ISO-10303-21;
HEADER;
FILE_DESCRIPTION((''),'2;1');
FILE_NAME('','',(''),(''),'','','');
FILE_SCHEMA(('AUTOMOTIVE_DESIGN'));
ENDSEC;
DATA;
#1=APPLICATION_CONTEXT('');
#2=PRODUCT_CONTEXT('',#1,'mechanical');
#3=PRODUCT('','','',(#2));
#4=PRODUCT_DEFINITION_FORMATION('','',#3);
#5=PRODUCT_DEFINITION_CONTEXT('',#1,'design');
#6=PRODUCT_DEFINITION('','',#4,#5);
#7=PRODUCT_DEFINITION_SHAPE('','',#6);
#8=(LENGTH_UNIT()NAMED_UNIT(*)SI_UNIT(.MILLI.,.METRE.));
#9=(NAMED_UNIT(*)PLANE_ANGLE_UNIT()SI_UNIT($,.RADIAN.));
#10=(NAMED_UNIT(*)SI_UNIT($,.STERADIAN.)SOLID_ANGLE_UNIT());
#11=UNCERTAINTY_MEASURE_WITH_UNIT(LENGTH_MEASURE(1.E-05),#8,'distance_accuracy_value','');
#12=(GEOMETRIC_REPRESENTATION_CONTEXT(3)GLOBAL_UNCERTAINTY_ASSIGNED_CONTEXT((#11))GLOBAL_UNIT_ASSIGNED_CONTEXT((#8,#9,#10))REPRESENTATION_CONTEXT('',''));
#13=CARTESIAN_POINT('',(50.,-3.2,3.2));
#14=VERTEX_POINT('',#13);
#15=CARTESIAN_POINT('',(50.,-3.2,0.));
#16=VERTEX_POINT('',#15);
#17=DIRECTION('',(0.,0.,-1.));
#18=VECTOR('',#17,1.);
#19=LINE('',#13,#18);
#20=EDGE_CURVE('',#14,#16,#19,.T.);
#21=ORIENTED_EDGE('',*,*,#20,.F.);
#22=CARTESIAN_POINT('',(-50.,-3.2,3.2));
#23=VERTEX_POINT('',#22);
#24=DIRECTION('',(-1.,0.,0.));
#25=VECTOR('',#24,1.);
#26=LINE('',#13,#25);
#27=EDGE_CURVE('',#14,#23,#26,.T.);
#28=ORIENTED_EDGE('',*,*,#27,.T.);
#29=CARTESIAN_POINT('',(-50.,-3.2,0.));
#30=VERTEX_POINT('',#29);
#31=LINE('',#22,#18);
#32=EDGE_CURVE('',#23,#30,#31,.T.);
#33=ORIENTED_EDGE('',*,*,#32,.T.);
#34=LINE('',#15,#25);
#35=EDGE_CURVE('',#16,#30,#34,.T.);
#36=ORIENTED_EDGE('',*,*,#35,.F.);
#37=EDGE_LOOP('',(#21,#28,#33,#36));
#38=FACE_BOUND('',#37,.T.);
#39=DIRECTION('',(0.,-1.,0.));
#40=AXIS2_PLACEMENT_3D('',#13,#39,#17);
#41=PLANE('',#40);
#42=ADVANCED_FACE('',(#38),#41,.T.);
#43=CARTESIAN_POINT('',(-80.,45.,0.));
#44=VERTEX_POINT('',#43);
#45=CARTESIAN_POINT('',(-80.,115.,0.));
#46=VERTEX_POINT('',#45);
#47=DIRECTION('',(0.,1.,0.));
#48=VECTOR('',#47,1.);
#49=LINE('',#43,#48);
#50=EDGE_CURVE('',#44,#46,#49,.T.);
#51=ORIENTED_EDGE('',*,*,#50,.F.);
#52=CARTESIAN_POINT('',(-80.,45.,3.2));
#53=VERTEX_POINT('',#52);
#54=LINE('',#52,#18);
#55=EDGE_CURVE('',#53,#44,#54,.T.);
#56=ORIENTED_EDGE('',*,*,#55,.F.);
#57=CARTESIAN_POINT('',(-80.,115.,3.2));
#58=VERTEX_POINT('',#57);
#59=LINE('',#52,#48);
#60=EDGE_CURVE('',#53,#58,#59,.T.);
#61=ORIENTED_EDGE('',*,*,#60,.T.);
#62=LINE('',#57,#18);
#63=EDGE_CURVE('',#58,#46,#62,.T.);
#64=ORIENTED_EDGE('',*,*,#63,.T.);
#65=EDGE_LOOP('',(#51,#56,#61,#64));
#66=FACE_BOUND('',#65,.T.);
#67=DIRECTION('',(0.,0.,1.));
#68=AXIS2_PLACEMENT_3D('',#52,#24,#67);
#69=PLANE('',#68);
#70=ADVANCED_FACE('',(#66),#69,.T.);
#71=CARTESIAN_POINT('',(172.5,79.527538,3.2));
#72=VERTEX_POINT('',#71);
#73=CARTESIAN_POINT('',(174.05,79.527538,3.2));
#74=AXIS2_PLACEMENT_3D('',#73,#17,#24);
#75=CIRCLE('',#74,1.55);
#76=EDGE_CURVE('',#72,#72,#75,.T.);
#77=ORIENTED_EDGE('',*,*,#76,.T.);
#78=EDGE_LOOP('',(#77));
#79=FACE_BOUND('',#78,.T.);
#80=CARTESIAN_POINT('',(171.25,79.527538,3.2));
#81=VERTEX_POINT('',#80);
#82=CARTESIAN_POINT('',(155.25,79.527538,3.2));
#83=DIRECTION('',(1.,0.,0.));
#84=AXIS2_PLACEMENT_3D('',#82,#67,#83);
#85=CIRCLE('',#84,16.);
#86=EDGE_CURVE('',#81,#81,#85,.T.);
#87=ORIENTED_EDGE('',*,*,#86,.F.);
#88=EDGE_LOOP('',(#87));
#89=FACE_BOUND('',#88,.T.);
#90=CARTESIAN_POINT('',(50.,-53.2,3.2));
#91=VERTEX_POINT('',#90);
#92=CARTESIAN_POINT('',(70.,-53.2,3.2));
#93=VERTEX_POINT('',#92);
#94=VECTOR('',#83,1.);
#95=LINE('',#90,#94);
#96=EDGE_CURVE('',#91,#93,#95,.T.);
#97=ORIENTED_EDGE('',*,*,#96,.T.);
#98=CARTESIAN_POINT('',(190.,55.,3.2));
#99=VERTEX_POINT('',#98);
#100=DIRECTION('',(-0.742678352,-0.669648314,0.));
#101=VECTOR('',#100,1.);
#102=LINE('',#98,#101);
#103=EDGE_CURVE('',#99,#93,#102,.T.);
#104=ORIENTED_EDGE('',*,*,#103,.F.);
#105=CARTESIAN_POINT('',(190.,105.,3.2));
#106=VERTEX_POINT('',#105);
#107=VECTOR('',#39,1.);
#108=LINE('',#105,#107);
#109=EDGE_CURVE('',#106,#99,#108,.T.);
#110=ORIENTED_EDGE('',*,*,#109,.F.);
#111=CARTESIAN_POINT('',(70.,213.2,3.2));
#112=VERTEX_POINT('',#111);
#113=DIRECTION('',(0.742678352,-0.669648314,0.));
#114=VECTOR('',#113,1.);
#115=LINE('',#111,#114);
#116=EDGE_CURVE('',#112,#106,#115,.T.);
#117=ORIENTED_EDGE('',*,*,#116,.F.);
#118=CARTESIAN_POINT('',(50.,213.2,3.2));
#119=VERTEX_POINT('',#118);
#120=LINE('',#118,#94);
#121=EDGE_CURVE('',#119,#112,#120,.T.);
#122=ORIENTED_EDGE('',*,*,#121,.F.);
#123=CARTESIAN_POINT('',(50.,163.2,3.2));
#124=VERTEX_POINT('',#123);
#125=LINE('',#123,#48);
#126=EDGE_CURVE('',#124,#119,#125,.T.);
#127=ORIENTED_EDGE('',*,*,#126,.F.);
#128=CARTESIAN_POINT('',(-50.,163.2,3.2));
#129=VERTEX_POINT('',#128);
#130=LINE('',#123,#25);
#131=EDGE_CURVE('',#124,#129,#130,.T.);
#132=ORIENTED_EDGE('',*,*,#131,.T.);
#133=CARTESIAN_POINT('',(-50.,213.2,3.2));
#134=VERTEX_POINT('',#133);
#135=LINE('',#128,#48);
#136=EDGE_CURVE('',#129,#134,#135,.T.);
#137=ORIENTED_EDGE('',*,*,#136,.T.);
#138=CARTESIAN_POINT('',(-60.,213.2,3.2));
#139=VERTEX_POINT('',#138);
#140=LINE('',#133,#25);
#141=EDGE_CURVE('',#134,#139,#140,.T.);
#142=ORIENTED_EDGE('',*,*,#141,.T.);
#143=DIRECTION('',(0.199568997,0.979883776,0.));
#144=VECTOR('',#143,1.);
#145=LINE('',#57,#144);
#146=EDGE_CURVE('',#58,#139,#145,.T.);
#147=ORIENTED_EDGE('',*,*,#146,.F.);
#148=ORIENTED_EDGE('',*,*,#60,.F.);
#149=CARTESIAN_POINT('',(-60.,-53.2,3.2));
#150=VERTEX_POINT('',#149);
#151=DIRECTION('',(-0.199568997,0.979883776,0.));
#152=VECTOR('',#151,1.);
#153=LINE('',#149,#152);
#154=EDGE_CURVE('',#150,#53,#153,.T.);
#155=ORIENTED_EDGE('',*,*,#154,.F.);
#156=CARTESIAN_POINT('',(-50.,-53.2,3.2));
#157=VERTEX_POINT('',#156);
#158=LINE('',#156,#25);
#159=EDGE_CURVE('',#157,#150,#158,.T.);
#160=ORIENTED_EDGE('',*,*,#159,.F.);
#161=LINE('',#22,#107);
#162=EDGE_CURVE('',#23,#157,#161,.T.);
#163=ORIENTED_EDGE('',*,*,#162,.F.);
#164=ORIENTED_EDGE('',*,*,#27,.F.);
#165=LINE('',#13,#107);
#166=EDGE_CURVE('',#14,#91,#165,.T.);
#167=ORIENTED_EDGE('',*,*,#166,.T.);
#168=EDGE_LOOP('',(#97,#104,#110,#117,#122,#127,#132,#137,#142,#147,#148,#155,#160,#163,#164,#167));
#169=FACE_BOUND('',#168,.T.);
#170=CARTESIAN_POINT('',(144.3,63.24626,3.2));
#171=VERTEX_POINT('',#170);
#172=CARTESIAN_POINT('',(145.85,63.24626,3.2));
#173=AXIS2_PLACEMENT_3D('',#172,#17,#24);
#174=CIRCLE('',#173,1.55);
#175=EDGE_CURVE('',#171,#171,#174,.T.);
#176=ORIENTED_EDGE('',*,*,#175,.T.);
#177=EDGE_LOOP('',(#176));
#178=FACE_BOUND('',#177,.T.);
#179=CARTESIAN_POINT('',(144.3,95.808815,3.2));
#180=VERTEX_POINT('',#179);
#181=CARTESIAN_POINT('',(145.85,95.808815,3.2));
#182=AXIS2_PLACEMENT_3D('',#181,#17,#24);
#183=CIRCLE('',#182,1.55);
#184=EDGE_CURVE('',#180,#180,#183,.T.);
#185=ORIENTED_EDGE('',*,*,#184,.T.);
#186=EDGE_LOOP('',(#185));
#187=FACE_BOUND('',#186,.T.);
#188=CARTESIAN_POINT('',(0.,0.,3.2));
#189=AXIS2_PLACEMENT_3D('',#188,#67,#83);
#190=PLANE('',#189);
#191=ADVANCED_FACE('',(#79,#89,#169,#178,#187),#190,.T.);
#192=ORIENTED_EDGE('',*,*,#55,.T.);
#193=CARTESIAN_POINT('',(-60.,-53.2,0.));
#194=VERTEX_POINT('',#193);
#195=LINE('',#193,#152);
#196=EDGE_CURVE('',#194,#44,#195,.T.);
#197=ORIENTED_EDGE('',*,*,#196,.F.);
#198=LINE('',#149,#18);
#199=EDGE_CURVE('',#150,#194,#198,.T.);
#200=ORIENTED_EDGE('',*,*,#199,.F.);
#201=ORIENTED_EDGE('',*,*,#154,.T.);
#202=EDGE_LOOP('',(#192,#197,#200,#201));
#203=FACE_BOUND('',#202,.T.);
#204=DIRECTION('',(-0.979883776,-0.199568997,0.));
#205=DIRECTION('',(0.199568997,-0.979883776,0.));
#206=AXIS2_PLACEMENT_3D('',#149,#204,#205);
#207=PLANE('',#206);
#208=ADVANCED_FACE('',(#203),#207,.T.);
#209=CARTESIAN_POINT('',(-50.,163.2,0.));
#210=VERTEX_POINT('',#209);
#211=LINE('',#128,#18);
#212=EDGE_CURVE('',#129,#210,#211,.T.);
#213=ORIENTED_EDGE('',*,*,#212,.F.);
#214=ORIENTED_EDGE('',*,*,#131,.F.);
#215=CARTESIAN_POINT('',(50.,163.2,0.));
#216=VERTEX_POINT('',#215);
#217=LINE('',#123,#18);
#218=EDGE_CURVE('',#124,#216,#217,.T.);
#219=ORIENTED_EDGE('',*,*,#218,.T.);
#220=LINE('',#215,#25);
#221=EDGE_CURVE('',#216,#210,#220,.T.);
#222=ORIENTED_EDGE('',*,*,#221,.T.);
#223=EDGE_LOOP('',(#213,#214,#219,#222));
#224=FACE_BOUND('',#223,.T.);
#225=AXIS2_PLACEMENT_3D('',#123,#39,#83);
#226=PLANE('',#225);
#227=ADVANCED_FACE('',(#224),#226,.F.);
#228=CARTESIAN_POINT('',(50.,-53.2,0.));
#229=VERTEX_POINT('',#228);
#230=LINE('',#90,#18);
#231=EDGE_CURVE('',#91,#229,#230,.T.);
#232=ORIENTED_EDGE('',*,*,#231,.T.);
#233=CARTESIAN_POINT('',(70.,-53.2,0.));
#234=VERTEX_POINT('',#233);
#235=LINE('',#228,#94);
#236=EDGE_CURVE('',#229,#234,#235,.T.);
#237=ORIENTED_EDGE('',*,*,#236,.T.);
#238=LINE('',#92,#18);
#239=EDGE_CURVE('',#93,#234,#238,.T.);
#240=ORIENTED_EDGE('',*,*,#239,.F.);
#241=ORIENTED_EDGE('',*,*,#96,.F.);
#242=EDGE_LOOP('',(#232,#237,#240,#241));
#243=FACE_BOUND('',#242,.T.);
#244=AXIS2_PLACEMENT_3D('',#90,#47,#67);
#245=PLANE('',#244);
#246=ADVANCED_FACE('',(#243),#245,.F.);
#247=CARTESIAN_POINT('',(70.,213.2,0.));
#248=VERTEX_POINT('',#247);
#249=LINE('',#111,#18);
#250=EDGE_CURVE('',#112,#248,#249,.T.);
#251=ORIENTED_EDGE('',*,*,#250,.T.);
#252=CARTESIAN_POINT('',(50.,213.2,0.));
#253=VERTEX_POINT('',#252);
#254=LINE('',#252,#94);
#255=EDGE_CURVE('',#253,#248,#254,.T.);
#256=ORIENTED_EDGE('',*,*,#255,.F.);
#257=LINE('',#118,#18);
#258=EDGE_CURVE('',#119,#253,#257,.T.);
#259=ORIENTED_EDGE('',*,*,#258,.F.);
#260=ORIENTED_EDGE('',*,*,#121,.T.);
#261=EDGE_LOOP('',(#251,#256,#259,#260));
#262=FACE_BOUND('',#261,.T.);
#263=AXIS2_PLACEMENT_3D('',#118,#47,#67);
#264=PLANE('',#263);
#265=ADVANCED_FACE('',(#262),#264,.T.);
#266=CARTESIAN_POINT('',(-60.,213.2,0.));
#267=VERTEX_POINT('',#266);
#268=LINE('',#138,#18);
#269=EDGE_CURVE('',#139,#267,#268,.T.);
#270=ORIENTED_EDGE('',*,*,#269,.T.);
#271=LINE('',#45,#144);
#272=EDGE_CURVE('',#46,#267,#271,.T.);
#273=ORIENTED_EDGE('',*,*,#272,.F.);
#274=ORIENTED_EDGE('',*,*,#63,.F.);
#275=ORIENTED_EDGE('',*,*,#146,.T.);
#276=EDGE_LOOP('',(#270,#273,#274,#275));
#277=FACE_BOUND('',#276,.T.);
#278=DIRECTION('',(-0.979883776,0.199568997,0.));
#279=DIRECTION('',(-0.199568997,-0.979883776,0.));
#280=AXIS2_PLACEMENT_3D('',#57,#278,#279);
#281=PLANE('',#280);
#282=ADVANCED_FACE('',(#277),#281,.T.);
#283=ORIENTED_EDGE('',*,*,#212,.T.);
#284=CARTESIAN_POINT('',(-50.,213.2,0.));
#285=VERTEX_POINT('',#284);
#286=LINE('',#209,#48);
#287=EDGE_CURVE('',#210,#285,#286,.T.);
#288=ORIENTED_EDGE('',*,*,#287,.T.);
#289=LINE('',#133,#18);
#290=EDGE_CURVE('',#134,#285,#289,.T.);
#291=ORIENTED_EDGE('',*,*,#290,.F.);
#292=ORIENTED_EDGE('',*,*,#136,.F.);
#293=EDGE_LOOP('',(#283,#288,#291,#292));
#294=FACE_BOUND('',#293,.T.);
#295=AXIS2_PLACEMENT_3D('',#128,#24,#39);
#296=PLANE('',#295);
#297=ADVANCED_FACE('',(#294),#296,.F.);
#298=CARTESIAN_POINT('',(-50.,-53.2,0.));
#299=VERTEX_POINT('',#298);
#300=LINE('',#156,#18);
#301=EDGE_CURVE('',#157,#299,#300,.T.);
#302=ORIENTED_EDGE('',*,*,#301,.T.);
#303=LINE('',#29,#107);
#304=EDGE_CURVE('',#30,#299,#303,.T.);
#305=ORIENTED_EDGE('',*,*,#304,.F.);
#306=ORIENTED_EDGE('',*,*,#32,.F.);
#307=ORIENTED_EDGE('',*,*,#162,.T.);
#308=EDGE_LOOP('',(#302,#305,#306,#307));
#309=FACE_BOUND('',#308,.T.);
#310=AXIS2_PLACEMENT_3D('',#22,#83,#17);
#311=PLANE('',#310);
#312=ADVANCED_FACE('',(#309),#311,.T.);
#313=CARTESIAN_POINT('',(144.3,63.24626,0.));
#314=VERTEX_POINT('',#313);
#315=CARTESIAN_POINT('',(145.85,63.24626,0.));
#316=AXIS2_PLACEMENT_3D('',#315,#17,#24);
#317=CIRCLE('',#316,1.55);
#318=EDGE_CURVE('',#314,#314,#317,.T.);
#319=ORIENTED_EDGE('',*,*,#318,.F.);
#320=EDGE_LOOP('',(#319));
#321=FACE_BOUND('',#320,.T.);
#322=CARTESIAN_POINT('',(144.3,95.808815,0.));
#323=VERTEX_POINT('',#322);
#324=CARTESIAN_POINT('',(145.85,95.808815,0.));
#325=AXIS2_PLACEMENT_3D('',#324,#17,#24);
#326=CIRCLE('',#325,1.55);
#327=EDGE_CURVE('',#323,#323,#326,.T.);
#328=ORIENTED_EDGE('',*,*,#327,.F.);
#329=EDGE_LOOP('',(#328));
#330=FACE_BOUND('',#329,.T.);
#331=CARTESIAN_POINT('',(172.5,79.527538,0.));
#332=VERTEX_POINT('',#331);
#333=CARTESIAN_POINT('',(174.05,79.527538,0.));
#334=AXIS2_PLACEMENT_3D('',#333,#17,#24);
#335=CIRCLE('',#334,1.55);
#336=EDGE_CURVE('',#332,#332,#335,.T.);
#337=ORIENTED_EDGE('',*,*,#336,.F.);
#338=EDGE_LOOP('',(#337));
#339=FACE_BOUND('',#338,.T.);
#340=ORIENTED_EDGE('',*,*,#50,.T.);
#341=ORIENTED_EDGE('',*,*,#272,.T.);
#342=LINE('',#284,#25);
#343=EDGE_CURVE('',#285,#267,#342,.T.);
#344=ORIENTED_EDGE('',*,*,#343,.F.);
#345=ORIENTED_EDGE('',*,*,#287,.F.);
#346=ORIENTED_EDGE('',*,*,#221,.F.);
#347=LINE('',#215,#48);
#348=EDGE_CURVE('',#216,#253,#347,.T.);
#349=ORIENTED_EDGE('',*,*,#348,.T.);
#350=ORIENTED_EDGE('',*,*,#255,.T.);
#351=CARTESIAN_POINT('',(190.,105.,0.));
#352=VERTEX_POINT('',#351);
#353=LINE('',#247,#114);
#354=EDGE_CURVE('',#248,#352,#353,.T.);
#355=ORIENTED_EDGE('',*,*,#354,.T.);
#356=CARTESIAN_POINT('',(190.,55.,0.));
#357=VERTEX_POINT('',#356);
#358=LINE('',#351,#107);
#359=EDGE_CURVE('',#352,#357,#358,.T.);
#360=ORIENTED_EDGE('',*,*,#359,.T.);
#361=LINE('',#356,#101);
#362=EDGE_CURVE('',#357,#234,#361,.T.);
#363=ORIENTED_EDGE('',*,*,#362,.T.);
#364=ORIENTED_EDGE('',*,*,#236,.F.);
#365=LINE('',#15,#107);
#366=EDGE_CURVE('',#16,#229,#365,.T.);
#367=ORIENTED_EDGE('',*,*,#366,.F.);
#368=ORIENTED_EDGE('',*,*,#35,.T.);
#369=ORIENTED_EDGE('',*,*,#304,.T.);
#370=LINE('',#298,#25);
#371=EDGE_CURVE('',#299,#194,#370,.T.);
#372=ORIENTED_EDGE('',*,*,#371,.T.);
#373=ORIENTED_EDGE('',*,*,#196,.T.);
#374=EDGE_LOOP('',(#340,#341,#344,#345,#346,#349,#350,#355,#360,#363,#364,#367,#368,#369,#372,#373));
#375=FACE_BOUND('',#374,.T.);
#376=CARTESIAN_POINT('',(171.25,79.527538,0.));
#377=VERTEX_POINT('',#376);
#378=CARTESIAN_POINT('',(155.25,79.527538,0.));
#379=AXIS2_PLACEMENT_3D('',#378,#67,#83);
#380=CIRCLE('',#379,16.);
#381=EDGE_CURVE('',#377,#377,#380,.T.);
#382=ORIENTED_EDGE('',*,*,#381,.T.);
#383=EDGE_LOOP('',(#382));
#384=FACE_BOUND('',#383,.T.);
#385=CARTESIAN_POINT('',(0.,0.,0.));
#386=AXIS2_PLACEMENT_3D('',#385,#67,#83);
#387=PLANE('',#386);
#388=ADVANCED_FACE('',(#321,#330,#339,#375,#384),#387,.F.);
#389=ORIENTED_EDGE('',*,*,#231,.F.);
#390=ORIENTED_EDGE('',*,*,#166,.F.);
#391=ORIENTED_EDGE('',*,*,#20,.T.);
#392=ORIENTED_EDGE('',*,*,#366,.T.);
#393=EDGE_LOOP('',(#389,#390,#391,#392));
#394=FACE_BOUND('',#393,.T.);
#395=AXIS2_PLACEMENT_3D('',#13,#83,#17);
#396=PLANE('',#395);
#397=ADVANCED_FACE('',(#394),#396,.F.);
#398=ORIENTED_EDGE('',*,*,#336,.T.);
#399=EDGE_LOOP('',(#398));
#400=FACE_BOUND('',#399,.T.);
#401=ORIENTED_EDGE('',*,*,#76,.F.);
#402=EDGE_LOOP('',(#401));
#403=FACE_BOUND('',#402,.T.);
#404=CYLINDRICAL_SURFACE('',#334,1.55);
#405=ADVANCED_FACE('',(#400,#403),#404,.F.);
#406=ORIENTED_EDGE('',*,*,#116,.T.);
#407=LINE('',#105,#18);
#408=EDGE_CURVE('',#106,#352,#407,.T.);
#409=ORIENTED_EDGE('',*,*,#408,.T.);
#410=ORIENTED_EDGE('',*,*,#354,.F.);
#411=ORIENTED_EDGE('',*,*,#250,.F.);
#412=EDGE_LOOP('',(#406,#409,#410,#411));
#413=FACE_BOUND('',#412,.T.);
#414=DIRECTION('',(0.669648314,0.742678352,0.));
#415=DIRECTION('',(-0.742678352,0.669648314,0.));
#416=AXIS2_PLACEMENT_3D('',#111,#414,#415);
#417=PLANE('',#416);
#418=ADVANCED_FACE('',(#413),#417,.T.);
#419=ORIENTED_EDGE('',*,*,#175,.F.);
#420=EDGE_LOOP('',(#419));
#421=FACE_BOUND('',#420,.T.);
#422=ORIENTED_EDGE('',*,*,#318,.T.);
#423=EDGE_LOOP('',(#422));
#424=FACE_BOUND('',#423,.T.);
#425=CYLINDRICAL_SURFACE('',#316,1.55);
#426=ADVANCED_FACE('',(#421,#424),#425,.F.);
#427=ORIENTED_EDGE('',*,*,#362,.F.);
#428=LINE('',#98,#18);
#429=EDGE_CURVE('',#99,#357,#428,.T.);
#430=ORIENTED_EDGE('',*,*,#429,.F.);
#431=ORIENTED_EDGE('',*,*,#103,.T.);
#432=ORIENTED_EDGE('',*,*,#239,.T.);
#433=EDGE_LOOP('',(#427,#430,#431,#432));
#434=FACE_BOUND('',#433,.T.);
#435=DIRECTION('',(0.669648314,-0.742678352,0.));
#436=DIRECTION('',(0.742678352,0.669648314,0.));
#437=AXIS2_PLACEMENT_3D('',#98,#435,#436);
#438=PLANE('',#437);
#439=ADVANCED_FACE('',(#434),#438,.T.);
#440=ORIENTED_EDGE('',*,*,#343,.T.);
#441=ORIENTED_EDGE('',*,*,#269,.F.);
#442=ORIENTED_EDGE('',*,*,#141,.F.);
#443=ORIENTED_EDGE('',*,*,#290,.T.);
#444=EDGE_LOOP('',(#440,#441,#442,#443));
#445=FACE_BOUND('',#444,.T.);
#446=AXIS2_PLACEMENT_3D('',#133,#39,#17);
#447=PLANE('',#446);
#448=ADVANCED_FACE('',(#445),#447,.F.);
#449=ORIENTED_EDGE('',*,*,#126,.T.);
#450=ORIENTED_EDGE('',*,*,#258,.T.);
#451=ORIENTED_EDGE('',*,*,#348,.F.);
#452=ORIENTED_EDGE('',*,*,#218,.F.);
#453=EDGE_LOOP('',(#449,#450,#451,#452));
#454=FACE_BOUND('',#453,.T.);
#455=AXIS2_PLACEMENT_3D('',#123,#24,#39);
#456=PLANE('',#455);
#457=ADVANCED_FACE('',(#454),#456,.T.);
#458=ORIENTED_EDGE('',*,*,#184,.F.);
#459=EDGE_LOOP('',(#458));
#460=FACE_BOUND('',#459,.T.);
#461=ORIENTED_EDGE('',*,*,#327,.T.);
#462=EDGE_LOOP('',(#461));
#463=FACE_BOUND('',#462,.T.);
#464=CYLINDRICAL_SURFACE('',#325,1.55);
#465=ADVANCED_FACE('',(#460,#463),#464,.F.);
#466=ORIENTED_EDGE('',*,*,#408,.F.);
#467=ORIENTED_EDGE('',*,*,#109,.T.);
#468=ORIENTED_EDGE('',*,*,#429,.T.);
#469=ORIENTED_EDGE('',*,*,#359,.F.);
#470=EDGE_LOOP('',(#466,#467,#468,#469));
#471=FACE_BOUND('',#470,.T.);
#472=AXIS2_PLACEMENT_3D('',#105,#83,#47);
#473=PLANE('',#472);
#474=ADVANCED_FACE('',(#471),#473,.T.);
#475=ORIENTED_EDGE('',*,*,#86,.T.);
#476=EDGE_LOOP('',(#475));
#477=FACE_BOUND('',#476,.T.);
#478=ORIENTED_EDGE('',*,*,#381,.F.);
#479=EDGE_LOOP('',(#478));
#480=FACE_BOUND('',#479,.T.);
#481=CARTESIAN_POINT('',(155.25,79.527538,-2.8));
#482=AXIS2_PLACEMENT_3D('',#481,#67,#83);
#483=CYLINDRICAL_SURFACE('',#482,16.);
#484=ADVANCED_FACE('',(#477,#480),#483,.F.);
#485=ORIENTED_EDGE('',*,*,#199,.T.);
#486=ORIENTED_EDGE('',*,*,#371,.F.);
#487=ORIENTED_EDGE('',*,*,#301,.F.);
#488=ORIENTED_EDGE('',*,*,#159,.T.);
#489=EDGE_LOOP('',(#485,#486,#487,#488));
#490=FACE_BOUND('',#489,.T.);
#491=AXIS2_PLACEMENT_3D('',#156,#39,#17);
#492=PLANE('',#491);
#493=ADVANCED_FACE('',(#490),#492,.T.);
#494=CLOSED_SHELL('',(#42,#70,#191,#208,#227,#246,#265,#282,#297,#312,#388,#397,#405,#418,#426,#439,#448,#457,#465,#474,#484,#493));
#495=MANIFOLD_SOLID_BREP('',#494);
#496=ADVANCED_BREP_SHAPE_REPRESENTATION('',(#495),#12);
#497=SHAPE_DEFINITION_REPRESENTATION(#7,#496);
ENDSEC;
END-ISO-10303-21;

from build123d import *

# Parameters (mm, degrees)
EXTRUDE_1_DEPTH         = 3.2
SKETCH_4_R              = 16
CUT_EXTRUDE_1_DEPTH     = 6
HOLE_WIZARD_3_1_3_1_4_D = 3.1


with BuildPart() as part:
    # Эскиз1 → Бобышка-Вытянуть1 (new body)
    with BuildSketch(Plane.XY):
        Polygon((50, -3.2), (-50, -3.2), (-50, -53.2), (-60, -53.2), (-80, 45), (-80, 115), (-60, 213.2), (-50, 213.2), (-50, 163.2), (50, 163.2), (50, 213.2), (70, 213.2), (190, 105), (190, 55), (70, -53.2), (50, -53.2), align=None)
    extrude(amount=EXTRUDE_1_DEPTH)

    # Эскиз4 → Вырез-Вытянуть1 (cut)
    with BuildSketch(Plane.XY.offset(3.2)):
        with Locations((155.25, 79.5275375)):
            Circle(SKETCH_4_R)
    extrude(amount=-CUT_EXTRUDE_1_DEPTH, mode=Mode.SUBTRACT)

    # Диаметр отверстия Ø3.1 (3.1)4 (through all)
    with Locations(Plane(origin=(0, 0, 0), x_dir=(-1, 0, 0), z_dir=(0, 0, -1))):
        with Locations((-145.85, 95.808815091), (-145.85, 63.246259909), (-174.05, 79.5275375)):
            Hole(HOLE_WIZARD_3_1_3_1_4_D / 2)


solid = part.part
